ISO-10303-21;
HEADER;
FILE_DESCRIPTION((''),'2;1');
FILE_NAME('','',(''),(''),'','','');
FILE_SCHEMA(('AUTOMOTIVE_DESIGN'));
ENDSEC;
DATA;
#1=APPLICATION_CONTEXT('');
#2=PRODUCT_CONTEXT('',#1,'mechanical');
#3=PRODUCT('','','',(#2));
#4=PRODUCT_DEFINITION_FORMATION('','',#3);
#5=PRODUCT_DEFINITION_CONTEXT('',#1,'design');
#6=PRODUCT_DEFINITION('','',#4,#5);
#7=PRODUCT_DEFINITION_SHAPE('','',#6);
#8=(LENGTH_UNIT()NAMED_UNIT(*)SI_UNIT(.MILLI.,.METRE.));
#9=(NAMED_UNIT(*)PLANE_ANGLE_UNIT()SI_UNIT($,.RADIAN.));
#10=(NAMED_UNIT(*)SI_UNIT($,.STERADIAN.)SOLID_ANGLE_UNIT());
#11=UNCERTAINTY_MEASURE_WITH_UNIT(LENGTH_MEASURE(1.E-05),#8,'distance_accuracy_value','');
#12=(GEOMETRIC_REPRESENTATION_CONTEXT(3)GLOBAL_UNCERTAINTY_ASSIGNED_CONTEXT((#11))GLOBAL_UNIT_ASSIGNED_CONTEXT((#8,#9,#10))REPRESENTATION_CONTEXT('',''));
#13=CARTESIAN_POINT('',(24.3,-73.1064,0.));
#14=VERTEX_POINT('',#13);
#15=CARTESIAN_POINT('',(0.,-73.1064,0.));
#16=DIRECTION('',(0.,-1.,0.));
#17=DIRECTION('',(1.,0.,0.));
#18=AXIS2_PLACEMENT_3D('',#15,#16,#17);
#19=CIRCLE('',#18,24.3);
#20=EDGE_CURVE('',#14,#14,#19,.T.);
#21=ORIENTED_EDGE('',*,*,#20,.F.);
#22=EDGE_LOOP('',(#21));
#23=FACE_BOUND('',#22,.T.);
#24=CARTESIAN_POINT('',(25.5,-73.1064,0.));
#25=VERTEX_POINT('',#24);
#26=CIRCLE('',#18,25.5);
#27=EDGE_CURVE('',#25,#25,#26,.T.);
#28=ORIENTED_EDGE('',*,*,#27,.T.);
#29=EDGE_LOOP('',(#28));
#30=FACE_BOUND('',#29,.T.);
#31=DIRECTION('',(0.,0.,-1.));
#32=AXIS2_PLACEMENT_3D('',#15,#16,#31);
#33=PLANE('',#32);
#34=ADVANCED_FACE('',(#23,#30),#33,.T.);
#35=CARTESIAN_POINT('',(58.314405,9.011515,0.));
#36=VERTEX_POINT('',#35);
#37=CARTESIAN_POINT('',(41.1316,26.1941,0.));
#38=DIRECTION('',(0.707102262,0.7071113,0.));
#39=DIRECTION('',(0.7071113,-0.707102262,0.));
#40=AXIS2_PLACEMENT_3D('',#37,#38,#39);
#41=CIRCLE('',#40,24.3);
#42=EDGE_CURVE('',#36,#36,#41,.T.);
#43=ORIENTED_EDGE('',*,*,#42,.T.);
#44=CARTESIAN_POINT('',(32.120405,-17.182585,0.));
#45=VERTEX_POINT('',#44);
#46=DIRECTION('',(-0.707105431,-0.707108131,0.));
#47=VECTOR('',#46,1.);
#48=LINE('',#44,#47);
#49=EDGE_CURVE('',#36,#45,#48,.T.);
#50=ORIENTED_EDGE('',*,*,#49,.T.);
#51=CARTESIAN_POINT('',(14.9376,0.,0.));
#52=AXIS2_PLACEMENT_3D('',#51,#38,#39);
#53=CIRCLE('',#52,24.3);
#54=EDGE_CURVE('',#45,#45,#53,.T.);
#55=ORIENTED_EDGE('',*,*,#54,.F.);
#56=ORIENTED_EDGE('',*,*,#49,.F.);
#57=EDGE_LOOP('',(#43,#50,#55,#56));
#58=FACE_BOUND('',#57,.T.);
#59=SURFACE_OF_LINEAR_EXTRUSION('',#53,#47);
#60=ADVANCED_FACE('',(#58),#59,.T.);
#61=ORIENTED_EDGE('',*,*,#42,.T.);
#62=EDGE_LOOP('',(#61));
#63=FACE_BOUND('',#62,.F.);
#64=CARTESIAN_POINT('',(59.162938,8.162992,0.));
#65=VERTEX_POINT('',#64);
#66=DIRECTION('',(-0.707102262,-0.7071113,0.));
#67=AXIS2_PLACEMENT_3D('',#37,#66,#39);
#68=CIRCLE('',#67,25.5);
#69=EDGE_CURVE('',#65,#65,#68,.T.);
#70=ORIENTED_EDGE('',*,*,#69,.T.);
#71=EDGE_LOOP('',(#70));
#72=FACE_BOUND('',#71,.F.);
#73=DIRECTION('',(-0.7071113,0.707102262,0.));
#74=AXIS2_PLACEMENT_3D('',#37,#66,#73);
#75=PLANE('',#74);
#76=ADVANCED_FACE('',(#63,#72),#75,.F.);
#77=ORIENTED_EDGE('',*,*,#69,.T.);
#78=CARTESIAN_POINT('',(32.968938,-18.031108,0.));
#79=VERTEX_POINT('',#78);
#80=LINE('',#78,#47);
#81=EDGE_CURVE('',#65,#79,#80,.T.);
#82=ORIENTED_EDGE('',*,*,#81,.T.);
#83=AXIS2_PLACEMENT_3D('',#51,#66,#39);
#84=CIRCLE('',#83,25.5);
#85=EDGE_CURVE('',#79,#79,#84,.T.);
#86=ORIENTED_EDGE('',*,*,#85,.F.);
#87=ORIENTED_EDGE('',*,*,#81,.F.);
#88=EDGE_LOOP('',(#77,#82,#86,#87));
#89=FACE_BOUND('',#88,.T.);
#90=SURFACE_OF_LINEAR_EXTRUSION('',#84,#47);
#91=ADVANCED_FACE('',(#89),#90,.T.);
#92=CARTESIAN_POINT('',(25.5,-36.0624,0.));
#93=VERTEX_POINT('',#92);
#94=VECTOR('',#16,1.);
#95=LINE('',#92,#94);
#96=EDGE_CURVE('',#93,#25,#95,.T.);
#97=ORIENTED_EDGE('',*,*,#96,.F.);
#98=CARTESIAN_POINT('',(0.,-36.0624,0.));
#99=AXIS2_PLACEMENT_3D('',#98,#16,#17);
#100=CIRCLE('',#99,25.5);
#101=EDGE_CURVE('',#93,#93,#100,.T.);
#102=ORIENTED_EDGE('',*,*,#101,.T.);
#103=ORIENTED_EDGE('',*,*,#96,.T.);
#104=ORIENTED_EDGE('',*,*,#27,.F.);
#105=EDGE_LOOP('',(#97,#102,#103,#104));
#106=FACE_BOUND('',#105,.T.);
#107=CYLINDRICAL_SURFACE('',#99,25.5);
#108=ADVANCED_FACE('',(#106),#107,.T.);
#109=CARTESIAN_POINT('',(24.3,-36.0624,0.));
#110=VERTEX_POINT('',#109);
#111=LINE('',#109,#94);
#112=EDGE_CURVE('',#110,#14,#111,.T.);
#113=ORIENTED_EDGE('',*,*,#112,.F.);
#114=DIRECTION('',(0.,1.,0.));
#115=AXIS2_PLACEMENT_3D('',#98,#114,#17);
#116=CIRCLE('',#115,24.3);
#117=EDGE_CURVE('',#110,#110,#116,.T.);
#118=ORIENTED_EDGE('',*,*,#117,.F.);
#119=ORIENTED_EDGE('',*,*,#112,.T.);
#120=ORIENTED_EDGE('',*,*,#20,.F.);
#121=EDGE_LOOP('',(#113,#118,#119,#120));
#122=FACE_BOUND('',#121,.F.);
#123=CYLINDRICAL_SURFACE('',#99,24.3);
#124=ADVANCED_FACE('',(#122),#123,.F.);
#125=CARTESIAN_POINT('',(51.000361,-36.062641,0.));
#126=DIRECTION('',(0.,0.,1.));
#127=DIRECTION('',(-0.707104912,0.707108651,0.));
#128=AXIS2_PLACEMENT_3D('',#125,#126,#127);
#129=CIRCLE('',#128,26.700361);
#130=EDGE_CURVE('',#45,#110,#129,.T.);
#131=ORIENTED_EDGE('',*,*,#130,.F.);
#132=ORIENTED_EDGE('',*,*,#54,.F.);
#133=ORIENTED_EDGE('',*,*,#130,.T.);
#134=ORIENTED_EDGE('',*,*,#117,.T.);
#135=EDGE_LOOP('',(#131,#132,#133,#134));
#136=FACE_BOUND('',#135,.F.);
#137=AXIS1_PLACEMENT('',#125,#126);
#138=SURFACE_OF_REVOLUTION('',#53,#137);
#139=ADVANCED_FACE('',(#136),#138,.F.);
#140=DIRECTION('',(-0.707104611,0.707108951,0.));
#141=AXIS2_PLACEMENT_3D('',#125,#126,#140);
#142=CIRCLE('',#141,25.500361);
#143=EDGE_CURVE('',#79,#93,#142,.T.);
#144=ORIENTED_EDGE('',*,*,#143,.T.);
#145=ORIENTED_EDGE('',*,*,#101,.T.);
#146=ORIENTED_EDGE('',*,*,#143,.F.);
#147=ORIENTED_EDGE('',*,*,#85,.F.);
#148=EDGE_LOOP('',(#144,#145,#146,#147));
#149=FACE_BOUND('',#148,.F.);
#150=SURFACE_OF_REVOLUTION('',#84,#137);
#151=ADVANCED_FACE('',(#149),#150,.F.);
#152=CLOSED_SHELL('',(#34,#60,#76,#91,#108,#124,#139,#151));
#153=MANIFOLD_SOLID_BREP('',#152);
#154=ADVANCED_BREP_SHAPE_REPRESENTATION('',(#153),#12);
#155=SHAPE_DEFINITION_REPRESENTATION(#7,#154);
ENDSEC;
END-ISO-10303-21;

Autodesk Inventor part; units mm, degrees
ref_plane "YZ Plane" through (0, 0, 0) normal (1, 0, 0) x (0, 1, 0)
ref_plane "XZ Plane" through (0, 0, 0) normal (0, 1, 0) x (-1, 0, 0)
sketch "Szkic6" plane through (0, 0, 0) normal (0, 0, 1) x (1, 0, 0)
  line L0 (-29.6067, 0) -> (35.2678, 0) construction
  line L1 (0, 42.3419) -> (0, -58.3726) construction
  arc A0 (14.9376, 0) -> (0, -36.0624) centre (51, -36.0624) ccw
  line L2 (0, -36.0624) -> (51, -36.0624) construction
  line L3 (51, -36.0624) -> (4.6611, 10.2764) construction
  line L4 (14.9376, 0) -> (41.1316, 26.1941)
  line L5 (0, -36.0624) -> (0, -73.1064)
  point P0 (0, 0)
  dimension "d24" = 51
  dimension "d31" = 45
  dimension "d36" = 37.044
  dimension "d37" = 37.044
ref_plane "Płaszczyzna konstrukcyjna2" through (0, -36.0624, 0) normal (0, -1, 0) x (1, 0, 0)
sketch "Szkic8" plane through (0, -36.0624, 0) normal (0, -1, 0) x (1, 0, 0)
  circle A0 centre (0, 0) radius 25.5
  circle A1 centre (0, 0) radius 24.3
  dimension "d32" = 51
  dimension "d33" = 1.2
sweep "Przeciągnięcie2" add profiles "Szkic8" path "Szkic6"
equation "\"d32\" = OD"
equation "\"d33\" = THK"
equation "\"d24\" = R"
equation "\"d31\" = KAT"
equation "\"d36\" = PROSTKA"
equation "\"d37\" = PROSTKA"
equation "\"SzerokośćGięciaPodcięcia\" = Grubość"
equation "\"RozmiarPodcięciaNarożnika\" = 4 * Grubość"
equation "\"PromieńPrzejścia\" = PromieńGięcia"
equation "\"Rozmiar_promienia_Jacobiego\" = PromieńGięcia"
equation "\"Wielk_odstępu\" = Grubość"
equation "\"d2\" = PromieńGięcia"
equation "\"d23\" = PromieńGięcia"
equation "\"R\" = 51"
equation "\"OD\" = 51"
equation "\"THK\" = 1.2"
equation "\"KAT\" = 45deg"
equation "\"PROSTKA\" = 37.044"
equation "\"Grubość\" = 1.5"
equation "\"PromieńGięcia\" = 3"
properties part number "Kolano 45° ø51x1,2 R51" material "304L"
